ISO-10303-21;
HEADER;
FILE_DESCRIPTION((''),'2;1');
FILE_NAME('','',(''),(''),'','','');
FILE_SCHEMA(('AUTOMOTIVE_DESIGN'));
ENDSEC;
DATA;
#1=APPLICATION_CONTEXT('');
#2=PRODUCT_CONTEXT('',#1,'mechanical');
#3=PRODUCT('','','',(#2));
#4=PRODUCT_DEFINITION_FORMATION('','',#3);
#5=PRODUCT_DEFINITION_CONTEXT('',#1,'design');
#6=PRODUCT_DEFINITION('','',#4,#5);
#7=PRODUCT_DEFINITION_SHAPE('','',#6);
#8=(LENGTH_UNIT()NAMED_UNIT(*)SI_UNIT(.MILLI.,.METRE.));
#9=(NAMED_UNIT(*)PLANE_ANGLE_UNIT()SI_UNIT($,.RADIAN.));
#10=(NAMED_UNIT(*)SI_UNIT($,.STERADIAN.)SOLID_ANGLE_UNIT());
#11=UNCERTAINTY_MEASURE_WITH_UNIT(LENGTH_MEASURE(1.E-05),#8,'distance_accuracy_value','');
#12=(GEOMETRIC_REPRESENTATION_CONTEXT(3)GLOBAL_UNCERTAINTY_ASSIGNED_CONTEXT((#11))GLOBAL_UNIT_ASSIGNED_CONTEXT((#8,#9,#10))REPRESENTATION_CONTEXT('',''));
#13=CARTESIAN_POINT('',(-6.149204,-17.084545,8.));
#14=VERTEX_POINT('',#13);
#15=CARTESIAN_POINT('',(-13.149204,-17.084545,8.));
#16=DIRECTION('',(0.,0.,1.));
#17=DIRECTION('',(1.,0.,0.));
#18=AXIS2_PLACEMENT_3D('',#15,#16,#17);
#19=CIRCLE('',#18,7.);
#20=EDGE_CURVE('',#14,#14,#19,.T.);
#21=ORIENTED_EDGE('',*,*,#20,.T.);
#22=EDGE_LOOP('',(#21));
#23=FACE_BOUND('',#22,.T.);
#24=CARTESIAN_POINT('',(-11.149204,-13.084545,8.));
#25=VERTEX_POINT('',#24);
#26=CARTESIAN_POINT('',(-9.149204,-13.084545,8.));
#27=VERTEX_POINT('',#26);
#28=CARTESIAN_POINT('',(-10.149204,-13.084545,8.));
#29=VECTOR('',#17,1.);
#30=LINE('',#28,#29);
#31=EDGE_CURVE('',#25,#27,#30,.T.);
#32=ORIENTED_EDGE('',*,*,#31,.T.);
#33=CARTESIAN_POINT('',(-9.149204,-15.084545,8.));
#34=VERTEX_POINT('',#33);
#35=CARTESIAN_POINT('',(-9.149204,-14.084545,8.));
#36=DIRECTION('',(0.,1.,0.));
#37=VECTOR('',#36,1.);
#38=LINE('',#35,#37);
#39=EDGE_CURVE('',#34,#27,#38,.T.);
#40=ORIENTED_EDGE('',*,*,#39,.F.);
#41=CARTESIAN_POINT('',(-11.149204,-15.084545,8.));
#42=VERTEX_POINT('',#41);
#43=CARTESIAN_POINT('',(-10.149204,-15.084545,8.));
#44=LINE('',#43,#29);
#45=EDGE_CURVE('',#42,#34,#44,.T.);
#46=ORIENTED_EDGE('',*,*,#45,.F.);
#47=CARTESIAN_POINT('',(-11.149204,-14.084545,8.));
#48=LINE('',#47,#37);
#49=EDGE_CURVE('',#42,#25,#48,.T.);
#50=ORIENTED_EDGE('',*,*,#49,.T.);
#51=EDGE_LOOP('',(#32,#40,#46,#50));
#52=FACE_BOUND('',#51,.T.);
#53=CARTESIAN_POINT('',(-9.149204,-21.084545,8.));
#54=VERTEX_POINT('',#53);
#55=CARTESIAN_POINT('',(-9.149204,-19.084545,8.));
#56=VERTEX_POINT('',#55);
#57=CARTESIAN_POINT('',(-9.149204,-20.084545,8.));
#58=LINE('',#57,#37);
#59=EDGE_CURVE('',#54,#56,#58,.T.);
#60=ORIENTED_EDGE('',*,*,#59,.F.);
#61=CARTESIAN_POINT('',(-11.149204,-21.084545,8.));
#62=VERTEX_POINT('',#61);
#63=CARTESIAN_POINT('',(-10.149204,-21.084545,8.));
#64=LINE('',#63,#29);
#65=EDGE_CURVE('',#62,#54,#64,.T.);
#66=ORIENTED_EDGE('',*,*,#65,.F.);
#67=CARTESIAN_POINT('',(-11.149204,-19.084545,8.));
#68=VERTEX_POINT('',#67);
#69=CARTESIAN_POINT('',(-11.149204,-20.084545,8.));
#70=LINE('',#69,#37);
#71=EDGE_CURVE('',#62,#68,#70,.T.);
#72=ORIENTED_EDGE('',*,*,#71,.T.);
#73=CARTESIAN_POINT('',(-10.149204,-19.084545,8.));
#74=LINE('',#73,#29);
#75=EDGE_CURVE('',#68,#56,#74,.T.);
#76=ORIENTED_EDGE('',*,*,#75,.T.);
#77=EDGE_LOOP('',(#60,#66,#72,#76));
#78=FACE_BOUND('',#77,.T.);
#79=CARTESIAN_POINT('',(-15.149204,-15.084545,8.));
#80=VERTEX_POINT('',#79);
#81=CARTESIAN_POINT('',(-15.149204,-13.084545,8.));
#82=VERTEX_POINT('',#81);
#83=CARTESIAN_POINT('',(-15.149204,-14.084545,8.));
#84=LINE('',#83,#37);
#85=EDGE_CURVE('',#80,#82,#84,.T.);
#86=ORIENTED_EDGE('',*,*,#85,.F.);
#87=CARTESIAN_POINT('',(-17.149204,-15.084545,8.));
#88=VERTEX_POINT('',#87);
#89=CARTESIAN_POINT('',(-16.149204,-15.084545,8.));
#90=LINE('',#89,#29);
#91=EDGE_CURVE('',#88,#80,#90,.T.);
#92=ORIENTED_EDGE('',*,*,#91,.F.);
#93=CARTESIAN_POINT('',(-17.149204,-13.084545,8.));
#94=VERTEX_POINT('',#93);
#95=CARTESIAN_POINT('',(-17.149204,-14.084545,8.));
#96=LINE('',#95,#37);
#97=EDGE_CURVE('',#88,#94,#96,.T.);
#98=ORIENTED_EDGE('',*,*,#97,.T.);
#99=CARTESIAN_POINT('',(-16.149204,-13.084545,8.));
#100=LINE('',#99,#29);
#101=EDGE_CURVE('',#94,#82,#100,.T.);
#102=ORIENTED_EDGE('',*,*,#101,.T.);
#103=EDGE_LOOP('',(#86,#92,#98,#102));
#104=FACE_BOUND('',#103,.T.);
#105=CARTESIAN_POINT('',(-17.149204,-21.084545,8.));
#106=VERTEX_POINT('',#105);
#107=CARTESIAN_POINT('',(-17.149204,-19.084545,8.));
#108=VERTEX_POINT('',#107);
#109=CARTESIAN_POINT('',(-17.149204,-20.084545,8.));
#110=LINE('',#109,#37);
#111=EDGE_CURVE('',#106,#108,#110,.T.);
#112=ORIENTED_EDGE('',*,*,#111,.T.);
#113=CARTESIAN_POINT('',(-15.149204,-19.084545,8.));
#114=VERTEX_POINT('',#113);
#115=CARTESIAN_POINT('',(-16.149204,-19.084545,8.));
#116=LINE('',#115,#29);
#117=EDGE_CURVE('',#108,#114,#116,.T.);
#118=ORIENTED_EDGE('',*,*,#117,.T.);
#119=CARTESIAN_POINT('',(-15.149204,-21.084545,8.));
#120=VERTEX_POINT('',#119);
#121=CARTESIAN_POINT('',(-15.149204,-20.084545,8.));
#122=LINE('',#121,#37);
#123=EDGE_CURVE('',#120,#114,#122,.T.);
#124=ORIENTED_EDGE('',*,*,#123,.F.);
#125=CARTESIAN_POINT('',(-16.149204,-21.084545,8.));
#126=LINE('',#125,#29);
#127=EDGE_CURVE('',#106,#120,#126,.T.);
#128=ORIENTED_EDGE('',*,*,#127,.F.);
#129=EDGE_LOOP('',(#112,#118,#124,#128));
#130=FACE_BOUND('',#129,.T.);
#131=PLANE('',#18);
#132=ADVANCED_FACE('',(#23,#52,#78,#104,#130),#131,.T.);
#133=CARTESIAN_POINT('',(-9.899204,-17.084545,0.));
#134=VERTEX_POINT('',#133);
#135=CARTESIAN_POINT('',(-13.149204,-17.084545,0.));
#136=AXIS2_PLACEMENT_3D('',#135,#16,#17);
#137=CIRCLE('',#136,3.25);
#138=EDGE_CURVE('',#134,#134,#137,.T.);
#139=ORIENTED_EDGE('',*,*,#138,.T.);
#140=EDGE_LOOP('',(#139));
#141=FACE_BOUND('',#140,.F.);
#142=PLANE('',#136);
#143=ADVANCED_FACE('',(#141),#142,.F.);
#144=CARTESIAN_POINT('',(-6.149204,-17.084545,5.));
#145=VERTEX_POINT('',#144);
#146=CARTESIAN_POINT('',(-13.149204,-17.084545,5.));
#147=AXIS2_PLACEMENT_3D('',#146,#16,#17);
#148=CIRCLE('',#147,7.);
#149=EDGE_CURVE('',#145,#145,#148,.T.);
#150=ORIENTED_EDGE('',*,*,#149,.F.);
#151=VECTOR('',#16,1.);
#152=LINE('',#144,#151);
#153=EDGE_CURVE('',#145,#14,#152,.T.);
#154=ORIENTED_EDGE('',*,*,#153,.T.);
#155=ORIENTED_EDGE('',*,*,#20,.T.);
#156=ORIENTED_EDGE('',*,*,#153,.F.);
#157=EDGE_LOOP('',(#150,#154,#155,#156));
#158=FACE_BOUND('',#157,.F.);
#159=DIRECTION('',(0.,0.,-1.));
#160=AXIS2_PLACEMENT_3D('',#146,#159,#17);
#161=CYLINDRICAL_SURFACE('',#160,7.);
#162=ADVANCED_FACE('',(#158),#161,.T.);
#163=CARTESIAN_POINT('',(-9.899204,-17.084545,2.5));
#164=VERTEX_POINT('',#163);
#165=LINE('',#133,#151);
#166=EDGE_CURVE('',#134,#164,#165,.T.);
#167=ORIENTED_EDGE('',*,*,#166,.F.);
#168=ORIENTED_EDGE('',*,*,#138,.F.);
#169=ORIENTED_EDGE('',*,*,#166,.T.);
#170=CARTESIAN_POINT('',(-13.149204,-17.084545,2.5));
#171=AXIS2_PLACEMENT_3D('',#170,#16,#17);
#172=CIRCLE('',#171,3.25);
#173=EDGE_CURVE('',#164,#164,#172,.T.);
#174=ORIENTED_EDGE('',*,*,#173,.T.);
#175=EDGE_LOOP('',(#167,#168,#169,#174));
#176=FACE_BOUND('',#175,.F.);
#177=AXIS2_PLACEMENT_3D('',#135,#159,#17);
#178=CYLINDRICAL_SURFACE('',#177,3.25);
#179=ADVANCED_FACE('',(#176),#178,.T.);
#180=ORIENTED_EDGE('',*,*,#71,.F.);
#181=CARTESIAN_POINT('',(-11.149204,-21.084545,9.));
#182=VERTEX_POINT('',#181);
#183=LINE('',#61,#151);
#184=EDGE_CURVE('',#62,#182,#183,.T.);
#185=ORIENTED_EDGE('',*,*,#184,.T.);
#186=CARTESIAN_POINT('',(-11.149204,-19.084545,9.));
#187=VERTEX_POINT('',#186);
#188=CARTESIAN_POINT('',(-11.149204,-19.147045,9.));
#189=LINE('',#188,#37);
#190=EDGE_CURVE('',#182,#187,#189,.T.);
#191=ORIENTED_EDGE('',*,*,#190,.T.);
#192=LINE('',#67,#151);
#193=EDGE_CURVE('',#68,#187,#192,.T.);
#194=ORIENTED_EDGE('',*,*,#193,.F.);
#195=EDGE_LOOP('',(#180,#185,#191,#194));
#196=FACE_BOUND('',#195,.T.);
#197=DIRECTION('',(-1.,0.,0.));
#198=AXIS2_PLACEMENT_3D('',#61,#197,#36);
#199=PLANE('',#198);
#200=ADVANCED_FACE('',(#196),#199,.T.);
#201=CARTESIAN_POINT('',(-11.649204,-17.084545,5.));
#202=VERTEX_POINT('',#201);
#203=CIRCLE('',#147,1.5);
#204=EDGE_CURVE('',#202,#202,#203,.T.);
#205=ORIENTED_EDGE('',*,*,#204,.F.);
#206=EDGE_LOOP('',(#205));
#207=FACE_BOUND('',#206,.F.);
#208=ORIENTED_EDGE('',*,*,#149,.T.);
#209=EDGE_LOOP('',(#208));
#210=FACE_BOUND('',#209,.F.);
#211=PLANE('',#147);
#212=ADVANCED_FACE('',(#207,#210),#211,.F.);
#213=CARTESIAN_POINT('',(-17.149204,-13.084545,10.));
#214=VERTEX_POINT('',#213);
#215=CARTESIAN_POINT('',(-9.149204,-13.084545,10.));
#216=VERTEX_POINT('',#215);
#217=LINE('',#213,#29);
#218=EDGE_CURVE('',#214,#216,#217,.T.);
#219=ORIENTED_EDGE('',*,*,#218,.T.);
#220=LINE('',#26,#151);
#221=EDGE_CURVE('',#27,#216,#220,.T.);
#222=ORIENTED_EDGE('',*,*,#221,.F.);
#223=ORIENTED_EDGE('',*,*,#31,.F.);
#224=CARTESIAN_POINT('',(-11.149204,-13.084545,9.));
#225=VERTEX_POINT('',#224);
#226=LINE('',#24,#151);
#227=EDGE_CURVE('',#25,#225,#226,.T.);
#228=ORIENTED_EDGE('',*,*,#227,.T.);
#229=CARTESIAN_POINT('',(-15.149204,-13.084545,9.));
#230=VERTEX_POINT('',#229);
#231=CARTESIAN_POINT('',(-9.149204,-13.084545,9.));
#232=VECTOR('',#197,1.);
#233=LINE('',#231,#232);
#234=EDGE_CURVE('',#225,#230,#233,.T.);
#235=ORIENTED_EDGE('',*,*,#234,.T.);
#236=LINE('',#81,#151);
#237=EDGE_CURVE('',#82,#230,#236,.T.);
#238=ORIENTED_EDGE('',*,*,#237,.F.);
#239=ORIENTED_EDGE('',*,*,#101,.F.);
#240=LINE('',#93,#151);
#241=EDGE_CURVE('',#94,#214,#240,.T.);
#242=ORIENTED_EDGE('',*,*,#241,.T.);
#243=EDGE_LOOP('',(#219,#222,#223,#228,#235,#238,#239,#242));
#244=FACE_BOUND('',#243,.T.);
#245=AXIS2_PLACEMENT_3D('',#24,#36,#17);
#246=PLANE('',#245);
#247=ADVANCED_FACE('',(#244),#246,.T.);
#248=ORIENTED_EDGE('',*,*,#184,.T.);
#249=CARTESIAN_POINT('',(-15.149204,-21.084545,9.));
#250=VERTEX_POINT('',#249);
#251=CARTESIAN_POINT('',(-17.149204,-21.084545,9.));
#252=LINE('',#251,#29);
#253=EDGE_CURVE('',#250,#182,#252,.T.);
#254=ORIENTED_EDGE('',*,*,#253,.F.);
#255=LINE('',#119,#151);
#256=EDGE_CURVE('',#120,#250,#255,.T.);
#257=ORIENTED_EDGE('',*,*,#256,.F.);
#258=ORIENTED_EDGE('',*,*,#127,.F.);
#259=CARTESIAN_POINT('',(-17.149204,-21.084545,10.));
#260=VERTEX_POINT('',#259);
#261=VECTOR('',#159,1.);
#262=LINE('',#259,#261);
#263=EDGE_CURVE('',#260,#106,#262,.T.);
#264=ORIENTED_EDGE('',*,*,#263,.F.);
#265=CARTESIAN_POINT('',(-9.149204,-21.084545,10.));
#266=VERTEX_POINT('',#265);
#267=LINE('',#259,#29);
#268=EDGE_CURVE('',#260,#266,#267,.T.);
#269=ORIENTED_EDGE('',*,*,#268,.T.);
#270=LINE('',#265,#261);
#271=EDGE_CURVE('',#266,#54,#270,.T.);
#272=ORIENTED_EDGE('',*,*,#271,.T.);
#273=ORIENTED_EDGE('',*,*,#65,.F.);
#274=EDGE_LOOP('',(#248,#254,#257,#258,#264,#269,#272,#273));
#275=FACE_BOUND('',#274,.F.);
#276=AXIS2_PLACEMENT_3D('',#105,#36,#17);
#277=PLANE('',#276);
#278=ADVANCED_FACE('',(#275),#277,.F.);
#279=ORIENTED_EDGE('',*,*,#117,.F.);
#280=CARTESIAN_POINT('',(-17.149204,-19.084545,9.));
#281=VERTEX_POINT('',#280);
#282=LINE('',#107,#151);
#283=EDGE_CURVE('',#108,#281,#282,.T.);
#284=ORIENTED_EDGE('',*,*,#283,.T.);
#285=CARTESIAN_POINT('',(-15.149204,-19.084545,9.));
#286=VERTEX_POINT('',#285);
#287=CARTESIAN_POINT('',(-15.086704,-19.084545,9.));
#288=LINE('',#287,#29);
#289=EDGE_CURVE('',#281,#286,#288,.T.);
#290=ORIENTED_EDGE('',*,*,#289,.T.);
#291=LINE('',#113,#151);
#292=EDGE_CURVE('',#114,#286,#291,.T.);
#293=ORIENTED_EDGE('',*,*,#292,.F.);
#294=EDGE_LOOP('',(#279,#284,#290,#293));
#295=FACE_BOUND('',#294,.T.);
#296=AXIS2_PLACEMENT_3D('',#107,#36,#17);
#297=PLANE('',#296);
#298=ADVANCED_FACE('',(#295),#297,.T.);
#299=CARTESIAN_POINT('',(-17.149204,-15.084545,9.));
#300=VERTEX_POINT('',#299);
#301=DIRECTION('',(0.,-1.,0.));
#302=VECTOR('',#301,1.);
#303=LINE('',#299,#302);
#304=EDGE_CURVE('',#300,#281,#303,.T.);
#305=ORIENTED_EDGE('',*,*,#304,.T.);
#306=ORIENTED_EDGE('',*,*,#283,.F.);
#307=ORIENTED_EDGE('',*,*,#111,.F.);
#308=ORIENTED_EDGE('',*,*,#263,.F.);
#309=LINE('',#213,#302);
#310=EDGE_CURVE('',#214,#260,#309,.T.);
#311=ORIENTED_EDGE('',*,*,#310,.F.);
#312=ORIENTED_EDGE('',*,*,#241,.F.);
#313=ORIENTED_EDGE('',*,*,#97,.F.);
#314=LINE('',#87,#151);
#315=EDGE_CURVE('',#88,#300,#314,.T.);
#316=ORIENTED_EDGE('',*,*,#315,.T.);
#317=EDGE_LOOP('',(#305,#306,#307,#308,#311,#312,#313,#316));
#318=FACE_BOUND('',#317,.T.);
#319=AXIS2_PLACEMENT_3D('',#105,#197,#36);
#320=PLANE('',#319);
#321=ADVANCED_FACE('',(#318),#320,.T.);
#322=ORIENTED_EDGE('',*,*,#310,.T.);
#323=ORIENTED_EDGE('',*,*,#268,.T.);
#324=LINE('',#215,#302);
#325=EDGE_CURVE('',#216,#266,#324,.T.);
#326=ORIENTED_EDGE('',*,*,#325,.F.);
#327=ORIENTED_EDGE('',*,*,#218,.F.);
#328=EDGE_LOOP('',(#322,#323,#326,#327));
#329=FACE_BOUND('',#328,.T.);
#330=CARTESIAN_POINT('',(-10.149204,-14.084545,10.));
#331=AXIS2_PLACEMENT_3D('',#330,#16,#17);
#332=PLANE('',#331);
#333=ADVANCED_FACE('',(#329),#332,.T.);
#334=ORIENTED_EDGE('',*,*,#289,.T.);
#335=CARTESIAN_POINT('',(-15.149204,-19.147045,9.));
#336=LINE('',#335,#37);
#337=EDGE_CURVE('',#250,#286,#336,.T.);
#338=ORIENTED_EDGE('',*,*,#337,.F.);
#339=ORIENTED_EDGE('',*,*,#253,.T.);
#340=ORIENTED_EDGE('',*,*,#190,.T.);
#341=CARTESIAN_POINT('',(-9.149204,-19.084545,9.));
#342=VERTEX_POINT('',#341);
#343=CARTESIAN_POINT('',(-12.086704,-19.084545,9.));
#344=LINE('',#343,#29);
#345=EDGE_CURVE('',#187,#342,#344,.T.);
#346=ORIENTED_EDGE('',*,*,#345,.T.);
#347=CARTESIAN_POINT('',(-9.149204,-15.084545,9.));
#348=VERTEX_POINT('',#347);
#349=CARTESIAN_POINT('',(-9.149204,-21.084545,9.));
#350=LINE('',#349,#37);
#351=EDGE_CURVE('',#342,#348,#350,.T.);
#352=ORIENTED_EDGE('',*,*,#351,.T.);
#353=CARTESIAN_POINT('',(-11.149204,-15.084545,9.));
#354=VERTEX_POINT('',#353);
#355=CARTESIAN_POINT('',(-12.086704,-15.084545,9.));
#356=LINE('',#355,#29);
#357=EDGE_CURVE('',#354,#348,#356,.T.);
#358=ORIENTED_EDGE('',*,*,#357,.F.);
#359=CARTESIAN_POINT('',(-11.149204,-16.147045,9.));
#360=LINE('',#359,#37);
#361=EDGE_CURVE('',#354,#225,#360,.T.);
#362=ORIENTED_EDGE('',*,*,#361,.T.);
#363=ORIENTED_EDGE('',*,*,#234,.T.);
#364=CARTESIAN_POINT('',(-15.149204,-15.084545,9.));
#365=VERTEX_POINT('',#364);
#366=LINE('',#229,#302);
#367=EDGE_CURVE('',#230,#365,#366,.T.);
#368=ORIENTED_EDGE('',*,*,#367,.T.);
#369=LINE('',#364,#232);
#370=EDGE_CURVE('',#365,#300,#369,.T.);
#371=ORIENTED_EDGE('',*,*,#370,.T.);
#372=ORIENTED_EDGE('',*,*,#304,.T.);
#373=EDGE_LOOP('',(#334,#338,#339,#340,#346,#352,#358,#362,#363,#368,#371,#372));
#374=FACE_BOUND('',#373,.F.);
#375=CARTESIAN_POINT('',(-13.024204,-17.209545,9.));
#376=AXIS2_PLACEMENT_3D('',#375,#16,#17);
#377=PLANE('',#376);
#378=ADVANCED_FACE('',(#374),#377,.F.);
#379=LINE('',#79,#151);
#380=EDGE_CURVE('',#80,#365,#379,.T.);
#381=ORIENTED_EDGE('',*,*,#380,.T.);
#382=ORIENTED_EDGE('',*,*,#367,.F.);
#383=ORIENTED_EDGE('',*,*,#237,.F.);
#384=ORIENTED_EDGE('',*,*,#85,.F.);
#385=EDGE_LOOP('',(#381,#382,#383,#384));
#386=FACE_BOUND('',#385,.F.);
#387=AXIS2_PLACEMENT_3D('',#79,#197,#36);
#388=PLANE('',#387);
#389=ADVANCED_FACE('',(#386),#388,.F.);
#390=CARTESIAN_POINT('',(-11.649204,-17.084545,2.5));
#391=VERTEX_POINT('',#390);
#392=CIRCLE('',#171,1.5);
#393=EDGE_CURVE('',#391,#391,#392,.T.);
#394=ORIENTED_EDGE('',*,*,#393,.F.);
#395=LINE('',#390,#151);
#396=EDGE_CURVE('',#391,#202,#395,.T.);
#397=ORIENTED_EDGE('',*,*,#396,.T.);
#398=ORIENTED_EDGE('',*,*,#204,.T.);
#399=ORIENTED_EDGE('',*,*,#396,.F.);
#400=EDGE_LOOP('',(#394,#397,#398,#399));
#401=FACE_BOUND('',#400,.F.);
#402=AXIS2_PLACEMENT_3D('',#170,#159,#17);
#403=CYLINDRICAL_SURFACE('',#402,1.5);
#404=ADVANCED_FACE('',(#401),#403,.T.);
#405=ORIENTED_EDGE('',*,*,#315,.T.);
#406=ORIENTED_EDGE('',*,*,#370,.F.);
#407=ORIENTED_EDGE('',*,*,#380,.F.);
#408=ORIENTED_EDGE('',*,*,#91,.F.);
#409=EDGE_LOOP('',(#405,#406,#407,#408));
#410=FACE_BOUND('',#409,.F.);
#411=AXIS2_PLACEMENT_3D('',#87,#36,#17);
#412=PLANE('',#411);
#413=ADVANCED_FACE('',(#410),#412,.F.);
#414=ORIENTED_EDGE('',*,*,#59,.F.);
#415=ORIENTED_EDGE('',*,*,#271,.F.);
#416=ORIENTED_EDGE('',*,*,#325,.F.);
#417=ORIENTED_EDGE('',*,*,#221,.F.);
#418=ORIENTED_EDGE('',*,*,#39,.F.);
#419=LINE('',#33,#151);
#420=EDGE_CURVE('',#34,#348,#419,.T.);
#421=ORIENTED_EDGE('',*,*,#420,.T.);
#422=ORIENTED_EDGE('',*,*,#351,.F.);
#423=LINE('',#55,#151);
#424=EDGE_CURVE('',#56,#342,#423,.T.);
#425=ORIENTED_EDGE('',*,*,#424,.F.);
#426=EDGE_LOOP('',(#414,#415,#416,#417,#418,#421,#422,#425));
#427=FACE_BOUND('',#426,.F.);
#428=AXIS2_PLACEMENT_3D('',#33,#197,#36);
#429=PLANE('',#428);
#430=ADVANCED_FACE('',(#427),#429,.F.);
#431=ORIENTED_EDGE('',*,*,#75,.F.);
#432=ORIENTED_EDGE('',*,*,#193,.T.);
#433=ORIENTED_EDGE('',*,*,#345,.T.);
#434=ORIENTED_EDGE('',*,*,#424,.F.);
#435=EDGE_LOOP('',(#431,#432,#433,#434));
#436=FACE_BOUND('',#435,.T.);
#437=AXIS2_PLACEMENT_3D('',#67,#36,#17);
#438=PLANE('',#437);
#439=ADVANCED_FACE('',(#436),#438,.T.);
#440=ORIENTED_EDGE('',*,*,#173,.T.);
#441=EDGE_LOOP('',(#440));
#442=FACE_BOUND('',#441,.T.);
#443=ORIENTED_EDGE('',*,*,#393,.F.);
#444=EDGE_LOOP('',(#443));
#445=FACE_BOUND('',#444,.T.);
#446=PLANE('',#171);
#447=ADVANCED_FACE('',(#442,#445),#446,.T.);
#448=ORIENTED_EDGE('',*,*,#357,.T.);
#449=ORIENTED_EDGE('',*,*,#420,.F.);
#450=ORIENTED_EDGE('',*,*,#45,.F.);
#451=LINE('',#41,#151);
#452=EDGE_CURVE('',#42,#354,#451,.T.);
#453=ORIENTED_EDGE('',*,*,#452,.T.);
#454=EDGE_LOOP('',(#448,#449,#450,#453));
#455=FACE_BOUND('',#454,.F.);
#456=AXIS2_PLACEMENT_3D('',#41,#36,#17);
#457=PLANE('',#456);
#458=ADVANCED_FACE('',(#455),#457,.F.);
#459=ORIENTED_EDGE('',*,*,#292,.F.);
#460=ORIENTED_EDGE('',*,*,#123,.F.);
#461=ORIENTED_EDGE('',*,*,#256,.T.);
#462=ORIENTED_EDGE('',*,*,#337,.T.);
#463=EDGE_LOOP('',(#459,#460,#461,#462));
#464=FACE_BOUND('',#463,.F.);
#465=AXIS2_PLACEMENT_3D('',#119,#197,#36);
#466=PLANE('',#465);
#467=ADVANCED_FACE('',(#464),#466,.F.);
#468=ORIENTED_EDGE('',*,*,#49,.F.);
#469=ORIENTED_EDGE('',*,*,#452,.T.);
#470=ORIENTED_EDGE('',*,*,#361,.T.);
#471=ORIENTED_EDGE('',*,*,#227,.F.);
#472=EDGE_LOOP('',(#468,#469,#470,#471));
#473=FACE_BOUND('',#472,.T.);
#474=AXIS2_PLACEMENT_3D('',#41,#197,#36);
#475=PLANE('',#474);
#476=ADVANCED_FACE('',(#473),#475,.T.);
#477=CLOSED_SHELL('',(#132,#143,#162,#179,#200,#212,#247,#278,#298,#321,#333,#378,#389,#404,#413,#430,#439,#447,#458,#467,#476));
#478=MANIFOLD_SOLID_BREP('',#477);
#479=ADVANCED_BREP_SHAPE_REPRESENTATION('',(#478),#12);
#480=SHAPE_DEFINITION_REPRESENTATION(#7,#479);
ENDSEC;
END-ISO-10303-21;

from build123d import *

# Parameters (mm, degrees)
F0_R      = 3.25
F1_DEPTH  = 2.5
F2_R      = 1.5
F3_DEPTH  = 2.5
F4_R      = 7
F4_R_2    = 1.5
F5_DEPTH  = 3
F6_R      = 1.5
F7_DEPTH  = 3
F8_W      = 2
F8_H      = 2
F9_DEPTH  = 2
F11_DEPTH = 1


with BuildPart() as f1:
    # F0 (on Top) → F1 (new body)
    with BuildSketch(Plane.XY):
        with Locations((-13.149204, -17.084545)):
            Circle(F0_R)
    extrude(amount=F1_DEPTH)

    # F2 (on face) → F3 (join)
    with BuildSketch(Plane.XY.offset(2.5)):
        with Locations((-13.149204, -17.084545)):
            Circle(F2_R)
    extrude(amount=F3_DEPTH)

    # F4 (on face) → F5 (join)
    with BuildSketch(Plane.XY.offset(5)):
        with Locations((-13.149204, -17.084545)):
            Circle(F4_R)
        with Locations((-13.149204, -17.084545)):
            Circle(F4_R_2, mode=Mode.SUBTRACT)
    extrude(amount=F5_DEPTH)

    # F6 (on face) → F7 (join)
    with BuildSketch(Plane.XY.offset(5)):
        with Locations((-13.149204, -17.084545)):
            Circle(F6_R)
    extrude(amount=F7_DEPTH)

    # F8 (on face) → F9 (join)
    with BuildSketch(Plane.XY.offset(8)):
        with Locations((-16.149204, -14.084545)):
            Rectangle(F8_W, F8_H)
        with Locations((-10.149204, -14.084545)):
            Rectangle(F8_W, F8_H)
        with Locations((-10.149204, -20.084545)):
            Rectangle(F8_W, F8_H)
        with Locations((-16.149204, -20.084545)):
            Rectangle(F8_W, F8_H)
    extrude(amount=F9_DEPTH)

    # F10 (on face) → F11 (join)
    with BuildSketch(Plane.XY.offset(10)):
        Polygon((-9.149204, -13.084545), (-15.149204, -13.084545), (-15.149204, -15.084545), (-17.149204, -15.084545), (-17.149204, -21.084545), (-9.149204, -21.084545), align=None)
    extrude(amount=-F11_DEPTH)


solid = f1.part
